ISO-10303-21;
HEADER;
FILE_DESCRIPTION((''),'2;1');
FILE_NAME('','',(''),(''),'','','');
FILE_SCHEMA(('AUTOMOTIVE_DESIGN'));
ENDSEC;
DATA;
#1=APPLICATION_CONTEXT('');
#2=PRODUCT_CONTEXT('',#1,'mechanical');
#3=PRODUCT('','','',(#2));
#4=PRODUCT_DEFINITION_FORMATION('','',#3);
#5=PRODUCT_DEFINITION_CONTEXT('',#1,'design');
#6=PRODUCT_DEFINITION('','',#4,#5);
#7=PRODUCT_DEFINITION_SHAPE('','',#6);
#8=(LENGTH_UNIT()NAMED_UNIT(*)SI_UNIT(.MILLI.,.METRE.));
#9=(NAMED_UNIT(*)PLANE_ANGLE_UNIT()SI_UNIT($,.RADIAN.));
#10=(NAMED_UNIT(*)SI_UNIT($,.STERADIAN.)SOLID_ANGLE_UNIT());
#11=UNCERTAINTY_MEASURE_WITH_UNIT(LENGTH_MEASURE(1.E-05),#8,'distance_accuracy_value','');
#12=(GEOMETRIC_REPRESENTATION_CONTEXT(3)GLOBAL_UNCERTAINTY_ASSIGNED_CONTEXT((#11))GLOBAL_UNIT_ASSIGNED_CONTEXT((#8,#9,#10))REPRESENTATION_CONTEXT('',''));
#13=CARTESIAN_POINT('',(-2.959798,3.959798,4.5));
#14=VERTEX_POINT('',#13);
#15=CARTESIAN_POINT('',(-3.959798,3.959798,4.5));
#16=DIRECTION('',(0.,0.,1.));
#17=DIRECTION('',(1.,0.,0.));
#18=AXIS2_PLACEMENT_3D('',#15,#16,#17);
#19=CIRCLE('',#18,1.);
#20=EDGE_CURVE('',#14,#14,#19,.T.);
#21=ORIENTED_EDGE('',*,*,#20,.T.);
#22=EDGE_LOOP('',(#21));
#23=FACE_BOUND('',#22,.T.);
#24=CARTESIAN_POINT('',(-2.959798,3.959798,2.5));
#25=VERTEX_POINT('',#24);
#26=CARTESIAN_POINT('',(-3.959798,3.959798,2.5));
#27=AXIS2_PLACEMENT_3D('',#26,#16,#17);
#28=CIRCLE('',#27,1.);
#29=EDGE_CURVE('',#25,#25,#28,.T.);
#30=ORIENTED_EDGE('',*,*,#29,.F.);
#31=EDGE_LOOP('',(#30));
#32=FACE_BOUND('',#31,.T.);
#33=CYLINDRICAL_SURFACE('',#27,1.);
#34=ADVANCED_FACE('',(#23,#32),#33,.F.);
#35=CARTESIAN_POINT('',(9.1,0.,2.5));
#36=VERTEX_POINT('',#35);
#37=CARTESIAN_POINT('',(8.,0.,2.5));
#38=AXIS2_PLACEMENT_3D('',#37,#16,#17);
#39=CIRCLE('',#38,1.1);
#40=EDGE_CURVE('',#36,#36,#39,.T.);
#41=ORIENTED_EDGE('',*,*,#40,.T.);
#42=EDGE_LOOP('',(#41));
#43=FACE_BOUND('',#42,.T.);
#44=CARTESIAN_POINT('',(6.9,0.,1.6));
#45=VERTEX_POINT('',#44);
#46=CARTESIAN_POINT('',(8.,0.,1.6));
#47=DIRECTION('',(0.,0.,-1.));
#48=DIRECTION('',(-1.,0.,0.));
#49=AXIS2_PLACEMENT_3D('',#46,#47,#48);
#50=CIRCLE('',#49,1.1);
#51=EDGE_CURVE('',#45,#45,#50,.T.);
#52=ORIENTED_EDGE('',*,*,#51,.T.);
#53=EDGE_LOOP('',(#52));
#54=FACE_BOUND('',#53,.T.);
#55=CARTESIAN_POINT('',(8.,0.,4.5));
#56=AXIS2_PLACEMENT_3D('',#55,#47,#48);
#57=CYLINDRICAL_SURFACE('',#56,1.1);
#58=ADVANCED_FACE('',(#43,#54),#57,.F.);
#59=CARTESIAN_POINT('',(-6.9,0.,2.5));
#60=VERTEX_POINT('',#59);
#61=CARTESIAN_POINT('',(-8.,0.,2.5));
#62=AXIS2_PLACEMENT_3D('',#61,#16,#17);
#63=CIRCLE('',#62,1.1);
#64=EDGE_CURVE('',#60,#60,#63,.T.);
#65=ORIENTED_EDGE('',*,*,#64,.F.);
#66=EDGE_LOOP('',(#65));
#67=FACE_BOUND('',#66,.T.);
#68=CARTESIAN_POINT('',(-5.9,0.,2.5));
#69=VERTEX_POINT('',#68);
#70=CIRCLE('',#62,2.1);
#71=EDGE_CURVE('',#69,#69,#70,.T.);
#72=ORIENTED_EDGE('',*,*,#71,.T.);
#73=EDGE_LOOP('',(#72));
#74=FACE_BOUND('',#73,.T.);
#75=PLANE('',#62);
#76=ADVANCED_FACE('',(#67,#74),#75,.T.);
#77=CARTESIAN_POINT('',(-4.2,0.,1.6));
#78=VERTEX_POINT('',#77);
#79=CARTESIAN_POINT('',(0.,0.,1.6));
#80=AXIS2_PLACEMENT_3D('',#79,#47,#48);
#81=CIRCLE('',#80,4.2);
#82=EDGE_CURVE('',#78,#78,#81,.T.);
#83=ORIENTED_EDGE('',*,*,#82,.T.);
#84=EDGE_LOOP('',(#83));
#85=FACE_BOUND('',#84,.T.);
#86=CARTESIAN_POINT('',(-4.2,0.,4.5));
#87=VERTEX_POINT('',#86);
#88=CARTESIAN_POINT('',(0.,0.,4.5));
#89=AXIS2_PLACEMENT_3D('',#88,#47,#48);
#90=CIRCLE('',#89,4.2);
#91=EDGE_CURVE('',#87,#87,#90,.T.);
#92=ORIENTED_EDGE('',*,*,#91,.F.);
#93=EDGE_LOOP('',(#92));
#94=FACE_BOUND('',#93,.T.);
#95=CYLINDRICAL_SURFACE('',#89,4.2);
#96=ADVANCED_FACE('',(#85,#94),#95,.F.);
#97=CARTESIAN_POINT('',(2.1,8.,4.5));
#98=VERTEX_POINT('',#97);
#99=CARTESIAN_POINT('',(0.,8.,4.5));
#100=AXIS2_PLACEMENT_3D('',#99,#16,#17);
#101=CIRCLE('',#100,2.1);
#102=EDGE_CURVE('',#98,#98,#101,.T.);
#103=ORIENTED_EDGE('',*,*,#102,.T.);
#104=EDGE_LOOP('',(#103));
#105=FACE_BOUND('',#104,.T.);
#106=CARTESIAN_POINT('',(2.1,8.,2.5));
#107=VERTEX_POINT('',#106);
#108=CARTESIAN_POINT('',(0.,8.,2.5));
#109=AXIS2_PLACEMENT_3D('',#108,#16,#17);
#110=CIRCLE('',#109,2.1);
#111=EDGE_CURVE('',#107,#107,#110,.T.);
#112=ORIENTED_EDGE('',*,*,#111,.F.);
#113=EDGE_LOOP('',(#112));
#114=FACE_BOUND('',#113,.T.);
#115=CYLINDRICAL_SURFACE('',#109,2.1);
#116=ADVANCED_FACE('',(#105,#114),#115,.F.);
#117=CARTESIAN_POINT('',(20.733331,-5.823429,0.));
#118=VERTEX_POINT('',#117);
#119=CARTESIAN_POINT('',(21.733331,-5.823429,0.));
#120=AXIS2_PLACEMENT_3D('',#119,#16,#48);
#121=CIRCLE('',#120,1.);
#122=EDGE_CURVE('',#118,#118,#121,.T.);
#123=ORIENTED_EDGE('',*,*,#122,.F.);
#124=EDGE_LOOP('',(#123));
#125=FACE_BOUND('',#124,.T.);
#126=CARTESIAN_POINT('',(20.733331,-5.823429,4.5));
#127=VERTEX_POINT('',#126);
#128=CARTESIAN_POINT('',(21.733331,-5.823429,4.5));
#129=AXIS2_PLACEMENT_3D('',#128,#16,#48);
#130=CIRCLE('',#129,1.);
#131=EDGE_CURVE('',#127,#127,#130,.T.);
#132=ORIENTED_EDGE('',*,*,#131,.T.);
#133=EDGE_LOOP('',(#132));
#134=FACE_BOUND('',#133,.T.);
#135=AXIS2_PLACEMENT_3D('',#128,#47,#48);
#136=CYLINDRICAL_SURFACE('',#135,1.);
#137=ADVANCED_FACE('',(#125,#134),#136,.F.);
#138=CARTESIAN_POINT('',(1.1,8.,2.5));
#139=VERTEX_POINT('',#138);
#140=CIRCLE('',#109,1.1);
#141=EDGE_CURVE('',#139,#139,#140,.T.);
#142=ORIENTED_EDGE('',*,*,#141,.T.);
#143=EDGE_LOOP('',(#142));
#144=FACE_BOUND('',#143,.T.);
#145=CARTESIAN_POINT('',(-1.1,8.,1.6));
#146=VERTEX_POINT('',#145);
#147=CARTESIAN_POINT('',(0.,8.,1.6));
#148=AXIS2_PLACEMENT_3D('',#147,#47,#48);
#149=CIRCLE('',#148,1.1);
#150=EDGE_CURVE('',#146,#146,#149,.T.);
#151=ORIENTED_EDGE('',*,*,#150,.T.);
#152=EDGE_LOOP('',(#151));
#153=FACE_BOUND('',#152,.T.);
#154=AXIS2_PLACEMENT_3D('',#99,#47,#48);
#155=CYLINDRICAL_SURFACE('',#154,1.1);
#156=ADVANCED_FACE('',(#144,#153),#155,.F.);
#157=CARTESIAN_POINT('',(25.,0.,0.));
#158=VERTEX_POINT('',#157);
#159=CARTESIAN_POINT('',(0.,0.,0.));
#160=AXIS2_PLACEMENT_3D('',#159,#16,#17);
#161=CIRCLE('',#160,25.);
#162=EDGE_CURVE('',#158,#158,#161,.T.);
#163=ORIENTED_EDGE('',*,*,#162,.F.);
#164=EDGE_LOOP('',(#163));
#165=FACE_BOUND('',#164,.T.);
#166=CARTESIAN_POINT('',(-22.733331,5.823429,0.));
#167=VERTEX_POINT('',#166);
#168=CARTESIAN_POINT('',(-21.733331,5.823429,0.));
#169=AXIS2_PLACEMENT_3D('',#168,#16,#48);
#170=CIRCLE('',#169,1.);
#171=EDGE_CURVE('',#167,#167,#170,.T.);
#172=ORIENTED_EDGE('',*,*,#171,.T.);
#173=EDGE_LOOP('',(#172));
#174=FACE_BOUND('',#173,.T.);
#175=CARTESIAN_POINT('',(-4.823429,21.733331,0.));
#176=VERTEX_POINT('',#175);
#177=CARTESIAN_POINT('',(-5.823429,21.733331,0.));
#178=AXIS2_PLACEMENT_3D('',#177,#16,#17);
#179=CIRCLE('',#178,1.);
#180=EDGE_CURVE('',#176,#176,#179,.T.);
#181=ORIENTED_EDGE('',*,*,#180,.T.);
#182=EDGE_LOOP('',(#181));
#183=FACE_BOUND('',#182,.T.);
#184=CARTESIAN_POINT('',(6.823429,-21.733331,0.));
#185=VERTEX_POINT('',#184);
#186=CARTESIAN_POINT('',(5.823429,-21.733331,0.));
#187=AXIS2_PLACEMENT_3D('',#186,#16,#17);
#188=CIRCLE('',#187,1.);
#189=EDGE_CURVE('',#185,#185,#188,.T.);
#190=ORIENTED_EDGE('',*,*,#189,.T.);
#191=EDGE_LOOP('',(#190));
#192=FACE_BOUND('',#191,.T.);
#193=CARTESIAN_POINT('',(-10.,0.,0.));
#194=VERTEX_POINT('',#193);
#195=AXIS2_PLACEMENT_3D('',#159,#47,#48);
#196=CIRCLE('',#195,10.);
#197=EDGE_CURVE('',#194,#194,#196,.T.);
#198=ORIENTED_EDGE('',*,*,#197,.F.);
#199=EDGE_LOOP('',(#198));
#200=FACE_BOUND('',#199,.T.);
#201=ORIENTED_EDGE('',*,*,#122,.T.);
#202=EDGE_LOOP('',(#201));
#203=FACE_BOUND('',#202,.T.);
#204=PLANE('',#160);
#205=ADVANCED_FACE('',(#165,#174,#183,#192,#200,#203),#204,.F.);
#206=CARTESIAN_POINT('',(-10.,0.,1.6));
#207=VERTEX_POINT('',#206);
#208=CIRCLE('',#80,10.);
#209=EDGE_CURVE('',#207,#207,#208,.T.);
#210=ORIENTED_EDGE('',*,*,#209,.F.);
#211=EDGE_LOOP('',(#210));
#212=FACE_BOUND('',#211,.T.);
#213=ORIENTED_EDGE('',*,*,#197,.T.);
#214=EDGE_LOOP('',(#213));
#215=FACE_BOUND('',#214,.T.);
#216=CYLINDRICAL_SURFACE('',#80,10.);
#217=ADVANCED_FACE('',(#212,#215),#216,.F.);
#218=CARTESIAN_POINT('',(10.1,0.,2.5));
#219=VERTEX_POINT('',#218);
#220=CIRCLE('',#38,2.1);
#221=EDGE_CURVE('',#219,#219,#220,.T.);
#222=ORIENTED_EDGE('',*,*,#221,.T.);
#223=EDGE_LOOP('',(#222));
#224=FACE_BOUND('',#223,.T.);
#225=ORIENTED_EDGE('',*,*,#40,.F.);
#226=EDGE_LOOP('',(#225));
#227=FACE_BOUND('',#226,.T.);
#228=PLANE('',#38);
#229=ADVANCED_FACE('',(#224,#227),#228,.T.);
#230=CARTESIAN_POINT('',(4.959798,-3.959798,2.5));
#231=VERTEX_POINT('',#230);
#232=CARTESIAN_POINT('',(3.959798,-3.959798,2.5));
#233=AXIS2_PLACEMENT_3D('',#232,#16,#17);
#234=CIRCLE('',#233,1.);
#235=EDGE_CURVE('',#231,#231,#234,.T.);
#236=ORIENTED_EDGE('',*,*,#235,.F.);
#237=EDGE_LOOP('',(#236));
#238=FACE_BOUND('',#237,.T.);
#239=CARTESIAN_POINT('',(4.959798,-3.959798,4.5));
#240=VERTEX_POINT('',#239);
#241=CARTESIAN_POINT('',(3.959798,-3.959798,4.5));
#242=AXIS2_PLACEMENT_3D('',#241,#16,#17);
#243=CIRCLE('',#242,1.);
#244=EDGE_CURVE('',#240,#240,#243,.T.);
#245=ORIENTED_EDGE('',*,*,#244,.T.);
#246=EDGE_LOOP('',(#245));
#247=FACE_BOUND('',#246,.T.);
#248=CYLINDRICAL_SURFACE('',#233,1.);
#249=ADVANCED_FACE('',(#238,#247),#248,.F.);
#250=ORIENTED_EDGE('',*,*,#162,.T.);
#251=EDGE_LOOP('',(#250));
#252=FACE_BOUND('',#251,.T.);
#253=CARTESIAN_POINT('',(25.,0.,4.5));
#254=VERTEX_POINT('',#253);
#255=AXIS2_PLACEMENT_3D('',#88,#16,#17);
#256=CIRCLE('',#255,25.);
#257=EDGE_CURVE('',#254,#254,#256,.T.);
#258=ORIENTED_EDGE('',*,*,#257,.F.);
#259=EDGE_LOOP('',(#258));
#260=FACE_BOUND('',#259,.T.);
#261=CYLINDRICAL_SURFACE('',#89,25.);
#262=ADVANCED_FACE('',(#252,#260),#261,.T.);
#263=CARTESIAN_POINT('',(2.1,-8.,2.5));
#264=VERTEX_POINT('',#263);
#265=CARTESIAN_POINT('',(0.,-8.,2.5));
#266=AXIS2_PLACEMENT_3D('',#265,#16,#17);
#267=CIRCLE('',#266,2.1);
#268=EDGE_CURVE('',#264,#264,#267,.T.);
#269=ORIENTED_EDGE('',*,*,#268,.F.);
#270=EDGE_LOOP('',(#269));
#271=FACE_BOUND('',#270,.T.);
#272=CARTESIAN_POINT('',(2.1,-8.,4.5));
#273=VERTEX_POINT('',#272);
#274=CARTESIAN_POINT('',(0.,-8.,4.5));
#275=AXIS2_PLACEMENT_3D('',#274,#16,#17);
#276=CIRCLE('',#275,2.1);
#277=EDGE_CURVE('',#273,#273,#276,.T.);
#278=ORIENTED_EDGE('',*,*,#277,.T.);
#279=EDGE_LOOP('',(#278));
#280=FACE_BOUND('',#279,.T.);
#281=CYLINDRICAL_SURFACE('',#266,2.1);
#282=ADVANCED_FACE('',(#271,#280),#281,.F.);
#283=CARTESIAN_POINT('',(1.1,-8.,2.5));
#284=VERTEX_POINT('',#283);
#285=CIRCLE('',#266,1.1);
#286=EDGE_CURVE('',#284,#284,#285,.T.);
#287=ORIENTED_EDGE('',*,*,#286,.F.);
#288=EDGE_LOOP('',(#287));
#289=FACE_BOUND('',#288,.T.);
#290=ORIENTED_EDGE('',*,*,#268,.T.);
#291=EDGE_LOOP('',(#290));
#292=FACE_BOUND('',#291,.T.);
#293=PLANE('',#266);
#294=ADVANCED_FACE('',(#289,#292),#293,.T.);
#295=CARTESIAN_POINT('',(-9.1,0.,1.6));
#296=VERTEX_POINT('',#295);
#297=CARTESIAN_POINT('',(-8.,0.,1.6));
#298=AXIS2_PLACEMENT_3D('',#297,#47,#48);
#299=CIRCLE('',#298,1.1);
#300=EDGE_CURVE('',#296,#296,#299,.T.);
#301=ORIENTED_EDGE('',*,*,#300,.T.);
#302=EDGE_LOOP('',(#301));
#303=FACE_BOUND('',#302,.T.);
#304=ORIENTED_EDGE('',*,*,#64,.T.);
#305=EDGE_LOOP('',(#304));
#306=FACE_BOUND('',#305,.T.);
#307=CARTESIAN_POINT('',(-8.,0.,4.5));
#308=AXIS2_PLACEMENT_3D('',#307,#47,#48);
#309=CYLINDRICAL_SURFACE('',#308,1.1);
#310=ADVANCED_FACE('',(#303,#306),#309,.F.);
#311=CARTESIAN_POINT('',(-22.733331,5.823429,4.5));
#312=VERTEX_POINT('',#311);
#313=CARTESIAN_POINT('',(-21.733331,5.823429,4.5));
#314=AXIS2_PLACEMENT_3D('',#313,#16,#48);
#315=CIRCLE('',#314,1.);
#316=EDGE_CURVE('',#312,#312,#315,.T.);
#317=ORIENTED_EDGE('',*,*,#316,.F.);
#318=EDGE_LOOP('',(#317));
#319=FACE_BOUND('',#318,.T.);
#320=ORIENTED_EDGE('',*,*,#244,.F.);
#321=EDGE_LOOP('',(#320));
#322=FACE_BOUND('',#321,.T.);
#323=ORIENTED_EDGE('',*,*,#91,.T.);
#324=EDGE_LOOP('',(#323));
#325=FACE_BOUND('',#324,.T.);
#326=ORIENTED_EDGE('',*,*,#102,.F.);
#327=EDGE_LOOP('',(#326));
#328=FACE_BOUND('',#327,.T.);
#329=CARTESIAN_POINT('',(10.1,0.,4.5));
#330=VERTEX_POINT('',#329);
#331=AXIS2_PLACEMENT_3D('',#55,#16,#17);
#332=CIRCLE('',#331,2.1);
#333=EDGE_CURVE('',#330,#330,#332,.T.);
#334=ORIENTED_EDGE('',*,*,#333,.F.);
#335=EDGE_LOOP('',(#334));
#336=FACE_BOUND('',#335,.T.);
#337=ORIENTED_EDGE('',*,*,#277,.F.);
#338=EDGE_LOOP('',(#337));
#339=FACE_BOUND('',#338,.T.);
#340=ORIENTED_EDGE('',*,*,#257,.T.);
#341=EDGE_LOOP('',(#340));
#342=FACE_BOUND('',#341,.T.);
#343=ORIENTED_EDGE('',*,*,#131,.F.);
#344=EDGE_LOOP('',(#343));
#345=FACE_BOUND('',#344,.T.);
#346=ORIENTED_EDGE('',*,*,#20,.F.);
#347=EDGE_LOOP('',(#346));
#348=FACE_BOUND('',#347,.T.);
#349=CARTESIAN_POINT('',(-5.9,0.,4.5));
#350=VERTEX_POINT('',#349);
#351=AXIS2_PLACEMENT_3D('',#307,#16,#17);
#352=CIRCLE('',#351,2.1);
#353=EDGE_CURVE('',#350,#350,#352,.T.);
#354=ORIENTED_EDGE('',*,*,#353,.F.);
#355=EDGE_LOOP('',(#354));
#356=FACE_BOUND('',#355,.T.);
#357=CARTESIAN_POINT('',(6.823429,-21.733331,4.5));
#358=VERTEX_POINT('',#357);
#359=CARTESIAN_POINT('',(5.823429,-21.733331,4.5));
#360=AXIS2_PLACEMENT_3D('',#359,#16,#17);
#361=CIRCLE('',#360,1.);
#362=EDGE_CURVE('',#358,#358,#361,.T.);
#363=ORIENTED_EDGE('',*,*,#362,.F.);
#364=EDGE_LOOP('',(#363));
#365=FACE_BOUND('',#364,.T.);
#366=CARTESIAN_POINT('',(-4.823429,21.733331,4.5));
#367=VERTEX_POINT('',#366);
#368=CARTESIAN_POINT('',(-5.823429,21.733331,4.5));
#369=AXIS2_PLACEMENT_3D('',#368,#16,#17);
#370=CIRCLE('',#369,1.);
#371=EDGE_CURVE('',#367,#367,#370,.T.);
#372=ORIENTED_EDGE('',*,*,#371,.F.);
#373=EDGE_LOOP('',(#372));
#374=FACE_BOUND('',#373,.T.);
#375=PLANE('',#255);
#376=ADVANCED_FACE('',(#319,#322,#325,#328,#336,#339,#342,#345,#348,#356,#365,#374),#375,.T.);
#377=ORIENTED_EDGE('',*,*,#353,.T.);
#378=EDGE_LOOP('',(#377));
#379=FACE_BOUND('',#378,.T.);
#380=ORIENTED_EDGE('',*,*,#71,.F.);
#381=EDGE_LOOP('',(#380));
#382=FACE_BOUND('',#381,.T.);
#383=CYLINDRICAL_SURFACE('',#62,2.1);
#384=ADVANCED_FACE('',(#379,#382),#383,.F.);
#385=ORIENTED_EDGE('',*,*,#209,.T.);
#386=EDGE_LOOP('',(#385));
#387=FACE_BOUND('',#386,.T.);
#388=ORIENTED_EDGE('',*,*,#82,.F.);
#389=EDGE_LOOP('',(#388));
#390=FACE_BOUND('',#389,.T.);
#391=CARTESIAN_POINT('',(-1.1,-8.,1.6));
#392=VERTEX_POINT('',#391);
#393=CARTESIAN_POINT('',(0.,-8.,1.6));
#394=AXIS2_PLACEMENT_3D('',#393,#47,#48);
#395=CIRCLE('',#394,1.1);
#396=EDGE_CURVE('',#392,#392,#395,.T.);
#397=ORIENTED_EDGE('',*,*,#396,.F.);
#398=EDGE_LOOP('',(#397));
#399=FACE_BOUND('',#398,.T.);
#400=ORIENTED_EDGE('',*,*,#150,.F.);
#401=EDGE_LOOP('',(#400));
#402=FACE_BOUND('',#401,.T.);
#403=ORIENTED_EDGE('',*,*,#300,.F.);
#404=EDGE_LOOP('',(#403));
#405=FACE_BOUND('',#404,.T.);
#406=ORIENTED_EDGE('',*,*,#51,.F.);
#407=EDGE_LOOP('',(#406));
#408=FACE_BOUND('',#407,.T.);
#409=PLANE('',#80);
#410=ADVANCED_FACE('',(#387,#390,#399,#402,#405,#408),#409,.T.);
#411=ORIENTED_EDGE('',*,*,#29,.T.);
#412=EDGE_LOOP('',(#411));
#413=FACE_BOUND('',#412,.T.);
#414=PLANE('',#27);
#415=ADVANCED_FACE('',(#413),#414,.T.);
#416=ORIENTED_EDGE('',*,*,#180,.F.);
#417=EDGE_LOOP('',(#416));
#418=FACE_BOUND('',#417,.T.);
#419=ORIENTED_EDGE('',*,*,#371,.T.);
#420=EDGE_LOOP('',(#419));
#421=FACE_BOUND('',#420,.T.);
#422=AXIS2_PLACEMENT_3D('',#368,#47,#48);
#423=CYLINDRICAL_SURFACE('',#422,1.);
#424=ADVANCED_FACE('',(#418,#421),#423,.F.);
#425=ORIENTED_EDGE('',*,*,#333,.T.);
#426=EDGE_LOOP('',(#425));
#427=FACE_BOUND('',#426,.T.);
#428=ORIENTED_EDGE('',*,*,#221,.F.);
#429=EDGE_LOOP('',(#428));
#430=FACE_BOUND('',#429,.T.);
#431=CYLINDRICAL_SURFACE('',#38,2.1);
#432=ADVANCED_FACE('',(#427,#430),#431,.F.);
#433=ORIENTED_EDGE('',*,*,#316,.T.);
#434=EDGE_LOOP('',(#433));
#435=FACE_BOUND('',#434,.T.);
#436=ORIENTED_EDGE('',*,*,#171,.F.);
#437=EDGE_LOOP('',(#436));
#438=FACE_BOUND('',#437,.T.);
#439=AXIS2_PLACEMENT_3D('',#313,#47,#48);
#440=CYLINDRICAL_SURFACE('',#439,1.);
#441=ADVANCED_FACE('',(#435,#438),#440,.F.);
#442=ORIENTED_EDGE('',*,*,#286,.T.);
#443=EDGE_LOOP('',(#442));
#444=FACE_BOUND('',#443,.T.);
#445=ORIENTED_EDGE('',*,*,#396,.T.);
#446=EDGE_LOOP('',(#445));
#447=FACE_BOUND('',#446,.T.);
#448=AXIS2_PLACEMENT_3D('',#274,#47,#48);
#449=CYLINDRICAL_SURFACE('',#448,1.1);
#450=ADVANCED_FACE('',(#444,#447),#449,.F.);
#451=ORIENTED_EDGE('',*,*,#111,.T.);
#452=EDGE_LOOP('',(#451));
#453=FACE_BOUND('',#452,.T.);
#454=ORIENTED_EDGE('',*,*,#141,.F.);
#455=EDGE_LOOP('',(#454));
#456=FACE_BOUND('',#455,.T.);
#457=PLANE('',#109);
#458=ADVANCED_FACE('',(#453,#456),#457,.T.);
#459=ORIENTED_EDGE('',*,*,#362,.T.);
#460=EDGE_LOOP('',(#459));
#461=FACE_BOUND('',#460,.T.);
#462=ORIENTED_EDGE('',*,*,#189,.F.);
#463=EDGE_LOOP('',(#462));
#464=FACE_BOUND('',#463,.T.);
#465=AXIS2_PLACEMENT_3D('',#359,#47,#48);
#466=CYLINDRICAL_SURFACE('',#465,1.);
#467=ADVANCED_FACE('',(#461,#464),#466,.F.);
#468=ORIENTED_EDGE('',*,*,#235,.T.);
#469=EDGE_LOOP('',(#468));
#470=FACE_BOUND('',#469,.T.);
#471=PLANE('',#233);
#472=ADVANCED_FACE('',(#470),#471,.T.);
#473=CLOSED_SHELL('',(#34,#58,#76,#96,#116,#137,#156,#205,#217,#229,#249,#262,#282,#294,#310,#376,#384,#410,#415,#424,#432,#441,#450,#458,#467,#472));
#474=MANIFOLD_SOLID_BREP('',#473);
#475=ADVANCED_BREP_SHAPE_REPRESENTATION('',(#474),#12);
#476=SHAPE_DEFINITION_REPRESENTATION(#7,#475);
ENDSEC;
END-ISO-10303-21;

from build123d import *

# Parameters (mm, degrees)
SKETCH_1_R          = 25
SKETCH_1_R_2        = 2.3
SKETCH_1_R_3        = 1.1
SKETCH_1_R_4        = 1
EXTRUDE_1_DEPTH     = 4.5
SKETCH_2_R          = 2.1
CUT_EXTRUDE_1_DEPTH = 2
SKETCH_10_R         = 10
CUT_EXTRUDE_7_DEPTH = 1.6
SKETCH_9_R          = 4.2
CUT_EXTRUDE_5_DEPTH = 36.474075041
SKETCH_6_R          = 1
CUT_EXTRUDE_6_DEPTH = 2


with BuildPart() as part:
    # 스케치1 → 보스-돌출1 (new body)
    with BuildSketch(Plane.XY):
        Circle(SKETCH_1_R)
        Circle(SKETCH_1_R_2, mode=Mode.SUBTRACT)
        with Locations((0, 8)):
            Circle(SKETCH_1_R_3, mode=Mode.SUBTRACT)
        with Locations((8, 0)):
            Circle(SKETCH_1_R_3, mode=Mode.SUBTRACT)
        with Locations((0, -8)):
            Circle(SKETCH_1_R_3, mode=Mode.SUBTRACT)
        with Locations((-8, 0)):
            Circle(SKETCH_1_R_3, mode=Mode.SUBTRACT)
        with Locations((-5.823428515, 21.733331092)):
            Circle(SKETCH_1_R_4, mode=Mode.SUBTRACT)
        with Locations(Location((21.733331092, -5.823428515, 0), (0, 0, 180))):
            Circle(SKETCH_1_R_4, mode=Mode.SUBTRACT)
        with Locations((5.823428515, -21.733331092)):
            Circle(SKETCH_1_R_4, mode=Mode.SUBTRACT)
        with Locations(Location((-21.733331092, 5.823428515, 0), (0, 0, 180))):
            Circle(SKETCH_1_R_4, mode=Mode.SUBTRACT)
    extrude(amount=EXTRUDE_1_DEPTH)

    # 스케치2 → 컷-돌출1 (cut)
    with BuildSketch(Plane.XY.offset(4.5)):
        with Locations((0, 8)):
            Circle(SKETCH_2_R)
        with Locations((8, 0)):
            Circle(SKETCH_2_R)
        with Locations((0, -8)):
            Circle(SKETCH_2_R)
        with Locations((-8, 0)):
            Circle(SKETCH_2_R)
    extrude(amount=-CUT_EXTRUDE_1_DEPTH, mode=Mode.SUBTRACT)

    # 스케치10 → 컷-돌출7 (cut)
    with BuildSketch(Plane(origin=(0, 0, 0), x_dir=(-1, 0, 0), z_dir=(0, 0, -1))):
        Circle(SKETCH_10_R)
    extrude(amount=-CUT_EXTRUDE_7_DEPTH, mode=Mode.SUBTRACT)

    # 스케치9 → 컷-돌출5 (cut, through all)
    with BuildSketch(Plane(origin=(0, 0, 1.6), x_dir=(-1, 0, 0), z_dir=(0, 0, -1))):
        Circle(SKETCH_9_R)
    extrude(amount=-CUT_EXTRUDE_5_DEPTH, mode=Mode.SUBTRACT)

    # 스케치6 → 컷-돌출6 (cut)
    with BuildSketch(Plane.XY.offset(4.5)):
        with Locations((-3.959797975, 3.959797975)):
            Circle(SKETCH_6_R)
        with Locations((3.959797975, -3.959797975)):
            Circle(SKETCH_6_R)
    extrude(amount=-CUT_EXTRUDE_6_DEPTH, mode=Mode.SUBTRACT)


solid = part.part
